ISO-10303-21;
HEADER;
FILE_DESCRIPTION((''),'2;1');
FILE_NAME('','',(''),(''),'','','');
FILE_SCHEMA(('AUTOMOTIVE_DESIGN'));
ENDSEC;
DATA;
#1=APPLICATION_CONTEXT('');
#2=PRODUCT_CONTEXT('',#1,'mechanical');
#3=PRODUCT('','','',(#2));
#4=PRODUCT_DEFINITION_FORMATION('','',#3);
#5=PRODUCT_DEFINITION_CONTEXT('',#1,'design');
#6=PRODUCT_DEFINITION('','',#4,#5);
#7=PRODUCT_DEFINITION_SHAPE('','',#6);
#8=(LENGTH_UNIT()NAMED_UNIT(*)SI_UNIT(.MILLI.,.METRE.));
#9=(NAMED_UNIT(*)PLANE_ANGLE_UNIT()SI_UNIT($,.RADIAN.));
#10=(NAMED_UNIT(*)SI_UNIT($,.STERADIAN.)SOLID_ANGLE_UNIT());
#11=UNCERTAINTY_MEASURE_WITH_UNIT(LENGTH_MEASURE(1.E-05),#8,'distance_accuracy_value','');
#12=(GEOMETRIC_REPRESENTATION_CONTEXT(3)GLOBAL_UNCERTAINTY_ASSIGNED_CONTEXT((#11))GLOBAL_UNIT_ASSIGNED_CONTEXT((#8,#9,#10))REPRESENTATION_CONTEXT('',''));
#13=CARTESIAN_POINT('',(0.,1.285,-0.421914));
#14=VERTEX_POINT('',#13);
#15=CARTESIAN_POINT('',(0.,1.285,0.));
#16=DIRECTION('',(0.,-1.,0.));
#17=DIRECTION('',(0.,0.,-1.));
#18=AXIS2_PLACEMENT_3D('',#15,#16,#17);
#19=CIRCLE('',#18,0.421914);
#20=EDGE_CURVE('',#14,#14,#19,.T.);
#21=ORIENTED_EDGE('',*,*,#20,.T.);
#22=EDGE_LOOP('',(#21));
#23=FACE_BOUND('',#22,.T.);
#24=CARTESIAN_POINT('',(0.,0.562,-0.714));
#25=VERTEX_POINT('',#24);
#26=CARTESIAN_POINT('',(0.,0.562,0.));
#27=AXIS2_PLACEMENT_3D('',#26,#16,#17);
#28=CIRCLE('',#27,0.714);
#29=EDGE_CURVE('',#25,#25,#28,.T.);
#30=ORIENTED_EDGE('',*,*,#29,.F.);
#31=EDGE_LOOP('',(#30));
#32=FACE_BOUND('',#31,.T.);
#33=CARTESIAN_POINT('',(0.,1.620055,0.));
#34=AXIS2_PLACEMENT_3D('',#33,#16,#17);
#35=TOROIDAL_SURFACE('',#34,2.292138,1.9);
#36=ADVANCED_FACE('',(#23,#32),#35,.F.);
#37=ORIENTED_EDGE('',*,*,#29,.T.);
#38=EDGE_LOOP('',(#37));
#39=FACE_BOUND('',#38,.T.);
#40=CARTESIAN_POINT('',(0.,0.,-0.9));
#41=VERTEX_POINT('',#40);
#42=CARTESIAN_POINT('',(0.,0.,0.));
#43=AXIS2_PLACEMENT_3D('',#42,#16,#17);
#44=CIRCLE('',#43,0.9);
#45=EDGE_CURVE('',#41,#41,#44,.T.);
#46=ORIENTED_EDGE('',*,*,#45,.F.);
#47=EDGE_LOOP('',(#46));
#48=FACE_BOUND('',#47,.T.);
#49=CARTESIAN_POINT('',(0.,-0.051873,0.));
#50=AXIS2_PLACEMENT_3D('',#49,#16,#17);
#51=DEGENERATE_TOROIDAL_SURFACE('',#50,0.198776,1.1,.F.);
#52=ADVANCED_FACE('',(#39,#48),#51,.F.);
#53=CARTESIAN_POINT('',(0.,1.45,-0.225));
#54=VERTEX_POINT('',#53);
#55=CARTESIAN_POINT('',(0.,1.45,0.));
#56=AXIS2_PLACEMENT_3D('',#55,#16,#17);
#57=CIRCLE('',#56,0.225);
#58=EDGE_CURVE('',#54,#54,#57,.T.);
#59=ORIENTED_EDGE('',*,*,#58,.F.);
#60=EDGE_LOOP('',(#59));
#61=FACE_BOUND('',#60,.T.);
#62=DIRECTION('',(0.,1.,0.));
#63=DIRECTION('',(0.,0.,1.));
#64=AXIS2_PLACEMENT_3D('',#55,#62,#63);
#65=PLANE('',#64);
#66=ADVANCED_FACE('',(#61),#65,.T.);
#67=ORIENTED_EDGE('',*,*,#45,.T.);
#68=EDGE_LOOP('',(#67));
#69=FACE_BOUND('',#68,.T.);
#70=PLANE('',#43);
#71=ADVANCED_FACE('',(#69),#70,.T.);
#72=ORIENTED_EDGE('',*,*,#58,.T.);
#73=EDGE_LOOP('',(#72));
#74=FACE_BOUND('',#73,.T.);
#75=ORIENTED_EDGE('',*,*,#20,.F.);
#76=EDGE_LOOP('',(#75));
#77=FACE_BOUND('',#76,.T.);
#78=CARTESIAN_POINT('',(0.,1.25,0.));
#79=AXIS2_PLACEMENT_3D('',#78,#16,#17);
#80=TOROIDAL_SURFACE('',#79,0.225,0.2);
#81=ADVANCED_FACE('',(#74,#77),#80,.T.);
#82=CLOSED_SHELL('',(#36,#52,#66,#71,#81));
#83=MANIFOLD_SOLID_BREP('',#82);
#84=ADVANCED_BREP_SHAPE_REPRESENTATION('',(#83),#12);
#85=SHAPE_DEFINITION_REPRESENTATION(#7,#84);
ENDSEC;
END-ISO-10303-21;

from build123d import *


with BuildPart() as part:
    # Sketch1 → Revolve1 (revolve)
    with BuildSketch(Plane.XY):
        with BuildLine():
            Line((0, 0), (0.9, 0))
            ThreePointArc((0.9, 0), (0.845516269, 0.293747377), (0.714, 0.562))
            ThreePointArc((0.714, 0.562), (0.530467505, 0.908354602), (0.421913687, 1.285))
            ThreePointArc((0.421913687, 1.285), (0.353452326, 1.403297097), (0.225, 1.45))
            Line((0.225, 1.45), (0, 1.45))
            Line((0, 1.45), (0, 0))
        make_face()
    revolve(axis=Axis((0, 0, 0), (0, 1, 0)))


solid = part.part
